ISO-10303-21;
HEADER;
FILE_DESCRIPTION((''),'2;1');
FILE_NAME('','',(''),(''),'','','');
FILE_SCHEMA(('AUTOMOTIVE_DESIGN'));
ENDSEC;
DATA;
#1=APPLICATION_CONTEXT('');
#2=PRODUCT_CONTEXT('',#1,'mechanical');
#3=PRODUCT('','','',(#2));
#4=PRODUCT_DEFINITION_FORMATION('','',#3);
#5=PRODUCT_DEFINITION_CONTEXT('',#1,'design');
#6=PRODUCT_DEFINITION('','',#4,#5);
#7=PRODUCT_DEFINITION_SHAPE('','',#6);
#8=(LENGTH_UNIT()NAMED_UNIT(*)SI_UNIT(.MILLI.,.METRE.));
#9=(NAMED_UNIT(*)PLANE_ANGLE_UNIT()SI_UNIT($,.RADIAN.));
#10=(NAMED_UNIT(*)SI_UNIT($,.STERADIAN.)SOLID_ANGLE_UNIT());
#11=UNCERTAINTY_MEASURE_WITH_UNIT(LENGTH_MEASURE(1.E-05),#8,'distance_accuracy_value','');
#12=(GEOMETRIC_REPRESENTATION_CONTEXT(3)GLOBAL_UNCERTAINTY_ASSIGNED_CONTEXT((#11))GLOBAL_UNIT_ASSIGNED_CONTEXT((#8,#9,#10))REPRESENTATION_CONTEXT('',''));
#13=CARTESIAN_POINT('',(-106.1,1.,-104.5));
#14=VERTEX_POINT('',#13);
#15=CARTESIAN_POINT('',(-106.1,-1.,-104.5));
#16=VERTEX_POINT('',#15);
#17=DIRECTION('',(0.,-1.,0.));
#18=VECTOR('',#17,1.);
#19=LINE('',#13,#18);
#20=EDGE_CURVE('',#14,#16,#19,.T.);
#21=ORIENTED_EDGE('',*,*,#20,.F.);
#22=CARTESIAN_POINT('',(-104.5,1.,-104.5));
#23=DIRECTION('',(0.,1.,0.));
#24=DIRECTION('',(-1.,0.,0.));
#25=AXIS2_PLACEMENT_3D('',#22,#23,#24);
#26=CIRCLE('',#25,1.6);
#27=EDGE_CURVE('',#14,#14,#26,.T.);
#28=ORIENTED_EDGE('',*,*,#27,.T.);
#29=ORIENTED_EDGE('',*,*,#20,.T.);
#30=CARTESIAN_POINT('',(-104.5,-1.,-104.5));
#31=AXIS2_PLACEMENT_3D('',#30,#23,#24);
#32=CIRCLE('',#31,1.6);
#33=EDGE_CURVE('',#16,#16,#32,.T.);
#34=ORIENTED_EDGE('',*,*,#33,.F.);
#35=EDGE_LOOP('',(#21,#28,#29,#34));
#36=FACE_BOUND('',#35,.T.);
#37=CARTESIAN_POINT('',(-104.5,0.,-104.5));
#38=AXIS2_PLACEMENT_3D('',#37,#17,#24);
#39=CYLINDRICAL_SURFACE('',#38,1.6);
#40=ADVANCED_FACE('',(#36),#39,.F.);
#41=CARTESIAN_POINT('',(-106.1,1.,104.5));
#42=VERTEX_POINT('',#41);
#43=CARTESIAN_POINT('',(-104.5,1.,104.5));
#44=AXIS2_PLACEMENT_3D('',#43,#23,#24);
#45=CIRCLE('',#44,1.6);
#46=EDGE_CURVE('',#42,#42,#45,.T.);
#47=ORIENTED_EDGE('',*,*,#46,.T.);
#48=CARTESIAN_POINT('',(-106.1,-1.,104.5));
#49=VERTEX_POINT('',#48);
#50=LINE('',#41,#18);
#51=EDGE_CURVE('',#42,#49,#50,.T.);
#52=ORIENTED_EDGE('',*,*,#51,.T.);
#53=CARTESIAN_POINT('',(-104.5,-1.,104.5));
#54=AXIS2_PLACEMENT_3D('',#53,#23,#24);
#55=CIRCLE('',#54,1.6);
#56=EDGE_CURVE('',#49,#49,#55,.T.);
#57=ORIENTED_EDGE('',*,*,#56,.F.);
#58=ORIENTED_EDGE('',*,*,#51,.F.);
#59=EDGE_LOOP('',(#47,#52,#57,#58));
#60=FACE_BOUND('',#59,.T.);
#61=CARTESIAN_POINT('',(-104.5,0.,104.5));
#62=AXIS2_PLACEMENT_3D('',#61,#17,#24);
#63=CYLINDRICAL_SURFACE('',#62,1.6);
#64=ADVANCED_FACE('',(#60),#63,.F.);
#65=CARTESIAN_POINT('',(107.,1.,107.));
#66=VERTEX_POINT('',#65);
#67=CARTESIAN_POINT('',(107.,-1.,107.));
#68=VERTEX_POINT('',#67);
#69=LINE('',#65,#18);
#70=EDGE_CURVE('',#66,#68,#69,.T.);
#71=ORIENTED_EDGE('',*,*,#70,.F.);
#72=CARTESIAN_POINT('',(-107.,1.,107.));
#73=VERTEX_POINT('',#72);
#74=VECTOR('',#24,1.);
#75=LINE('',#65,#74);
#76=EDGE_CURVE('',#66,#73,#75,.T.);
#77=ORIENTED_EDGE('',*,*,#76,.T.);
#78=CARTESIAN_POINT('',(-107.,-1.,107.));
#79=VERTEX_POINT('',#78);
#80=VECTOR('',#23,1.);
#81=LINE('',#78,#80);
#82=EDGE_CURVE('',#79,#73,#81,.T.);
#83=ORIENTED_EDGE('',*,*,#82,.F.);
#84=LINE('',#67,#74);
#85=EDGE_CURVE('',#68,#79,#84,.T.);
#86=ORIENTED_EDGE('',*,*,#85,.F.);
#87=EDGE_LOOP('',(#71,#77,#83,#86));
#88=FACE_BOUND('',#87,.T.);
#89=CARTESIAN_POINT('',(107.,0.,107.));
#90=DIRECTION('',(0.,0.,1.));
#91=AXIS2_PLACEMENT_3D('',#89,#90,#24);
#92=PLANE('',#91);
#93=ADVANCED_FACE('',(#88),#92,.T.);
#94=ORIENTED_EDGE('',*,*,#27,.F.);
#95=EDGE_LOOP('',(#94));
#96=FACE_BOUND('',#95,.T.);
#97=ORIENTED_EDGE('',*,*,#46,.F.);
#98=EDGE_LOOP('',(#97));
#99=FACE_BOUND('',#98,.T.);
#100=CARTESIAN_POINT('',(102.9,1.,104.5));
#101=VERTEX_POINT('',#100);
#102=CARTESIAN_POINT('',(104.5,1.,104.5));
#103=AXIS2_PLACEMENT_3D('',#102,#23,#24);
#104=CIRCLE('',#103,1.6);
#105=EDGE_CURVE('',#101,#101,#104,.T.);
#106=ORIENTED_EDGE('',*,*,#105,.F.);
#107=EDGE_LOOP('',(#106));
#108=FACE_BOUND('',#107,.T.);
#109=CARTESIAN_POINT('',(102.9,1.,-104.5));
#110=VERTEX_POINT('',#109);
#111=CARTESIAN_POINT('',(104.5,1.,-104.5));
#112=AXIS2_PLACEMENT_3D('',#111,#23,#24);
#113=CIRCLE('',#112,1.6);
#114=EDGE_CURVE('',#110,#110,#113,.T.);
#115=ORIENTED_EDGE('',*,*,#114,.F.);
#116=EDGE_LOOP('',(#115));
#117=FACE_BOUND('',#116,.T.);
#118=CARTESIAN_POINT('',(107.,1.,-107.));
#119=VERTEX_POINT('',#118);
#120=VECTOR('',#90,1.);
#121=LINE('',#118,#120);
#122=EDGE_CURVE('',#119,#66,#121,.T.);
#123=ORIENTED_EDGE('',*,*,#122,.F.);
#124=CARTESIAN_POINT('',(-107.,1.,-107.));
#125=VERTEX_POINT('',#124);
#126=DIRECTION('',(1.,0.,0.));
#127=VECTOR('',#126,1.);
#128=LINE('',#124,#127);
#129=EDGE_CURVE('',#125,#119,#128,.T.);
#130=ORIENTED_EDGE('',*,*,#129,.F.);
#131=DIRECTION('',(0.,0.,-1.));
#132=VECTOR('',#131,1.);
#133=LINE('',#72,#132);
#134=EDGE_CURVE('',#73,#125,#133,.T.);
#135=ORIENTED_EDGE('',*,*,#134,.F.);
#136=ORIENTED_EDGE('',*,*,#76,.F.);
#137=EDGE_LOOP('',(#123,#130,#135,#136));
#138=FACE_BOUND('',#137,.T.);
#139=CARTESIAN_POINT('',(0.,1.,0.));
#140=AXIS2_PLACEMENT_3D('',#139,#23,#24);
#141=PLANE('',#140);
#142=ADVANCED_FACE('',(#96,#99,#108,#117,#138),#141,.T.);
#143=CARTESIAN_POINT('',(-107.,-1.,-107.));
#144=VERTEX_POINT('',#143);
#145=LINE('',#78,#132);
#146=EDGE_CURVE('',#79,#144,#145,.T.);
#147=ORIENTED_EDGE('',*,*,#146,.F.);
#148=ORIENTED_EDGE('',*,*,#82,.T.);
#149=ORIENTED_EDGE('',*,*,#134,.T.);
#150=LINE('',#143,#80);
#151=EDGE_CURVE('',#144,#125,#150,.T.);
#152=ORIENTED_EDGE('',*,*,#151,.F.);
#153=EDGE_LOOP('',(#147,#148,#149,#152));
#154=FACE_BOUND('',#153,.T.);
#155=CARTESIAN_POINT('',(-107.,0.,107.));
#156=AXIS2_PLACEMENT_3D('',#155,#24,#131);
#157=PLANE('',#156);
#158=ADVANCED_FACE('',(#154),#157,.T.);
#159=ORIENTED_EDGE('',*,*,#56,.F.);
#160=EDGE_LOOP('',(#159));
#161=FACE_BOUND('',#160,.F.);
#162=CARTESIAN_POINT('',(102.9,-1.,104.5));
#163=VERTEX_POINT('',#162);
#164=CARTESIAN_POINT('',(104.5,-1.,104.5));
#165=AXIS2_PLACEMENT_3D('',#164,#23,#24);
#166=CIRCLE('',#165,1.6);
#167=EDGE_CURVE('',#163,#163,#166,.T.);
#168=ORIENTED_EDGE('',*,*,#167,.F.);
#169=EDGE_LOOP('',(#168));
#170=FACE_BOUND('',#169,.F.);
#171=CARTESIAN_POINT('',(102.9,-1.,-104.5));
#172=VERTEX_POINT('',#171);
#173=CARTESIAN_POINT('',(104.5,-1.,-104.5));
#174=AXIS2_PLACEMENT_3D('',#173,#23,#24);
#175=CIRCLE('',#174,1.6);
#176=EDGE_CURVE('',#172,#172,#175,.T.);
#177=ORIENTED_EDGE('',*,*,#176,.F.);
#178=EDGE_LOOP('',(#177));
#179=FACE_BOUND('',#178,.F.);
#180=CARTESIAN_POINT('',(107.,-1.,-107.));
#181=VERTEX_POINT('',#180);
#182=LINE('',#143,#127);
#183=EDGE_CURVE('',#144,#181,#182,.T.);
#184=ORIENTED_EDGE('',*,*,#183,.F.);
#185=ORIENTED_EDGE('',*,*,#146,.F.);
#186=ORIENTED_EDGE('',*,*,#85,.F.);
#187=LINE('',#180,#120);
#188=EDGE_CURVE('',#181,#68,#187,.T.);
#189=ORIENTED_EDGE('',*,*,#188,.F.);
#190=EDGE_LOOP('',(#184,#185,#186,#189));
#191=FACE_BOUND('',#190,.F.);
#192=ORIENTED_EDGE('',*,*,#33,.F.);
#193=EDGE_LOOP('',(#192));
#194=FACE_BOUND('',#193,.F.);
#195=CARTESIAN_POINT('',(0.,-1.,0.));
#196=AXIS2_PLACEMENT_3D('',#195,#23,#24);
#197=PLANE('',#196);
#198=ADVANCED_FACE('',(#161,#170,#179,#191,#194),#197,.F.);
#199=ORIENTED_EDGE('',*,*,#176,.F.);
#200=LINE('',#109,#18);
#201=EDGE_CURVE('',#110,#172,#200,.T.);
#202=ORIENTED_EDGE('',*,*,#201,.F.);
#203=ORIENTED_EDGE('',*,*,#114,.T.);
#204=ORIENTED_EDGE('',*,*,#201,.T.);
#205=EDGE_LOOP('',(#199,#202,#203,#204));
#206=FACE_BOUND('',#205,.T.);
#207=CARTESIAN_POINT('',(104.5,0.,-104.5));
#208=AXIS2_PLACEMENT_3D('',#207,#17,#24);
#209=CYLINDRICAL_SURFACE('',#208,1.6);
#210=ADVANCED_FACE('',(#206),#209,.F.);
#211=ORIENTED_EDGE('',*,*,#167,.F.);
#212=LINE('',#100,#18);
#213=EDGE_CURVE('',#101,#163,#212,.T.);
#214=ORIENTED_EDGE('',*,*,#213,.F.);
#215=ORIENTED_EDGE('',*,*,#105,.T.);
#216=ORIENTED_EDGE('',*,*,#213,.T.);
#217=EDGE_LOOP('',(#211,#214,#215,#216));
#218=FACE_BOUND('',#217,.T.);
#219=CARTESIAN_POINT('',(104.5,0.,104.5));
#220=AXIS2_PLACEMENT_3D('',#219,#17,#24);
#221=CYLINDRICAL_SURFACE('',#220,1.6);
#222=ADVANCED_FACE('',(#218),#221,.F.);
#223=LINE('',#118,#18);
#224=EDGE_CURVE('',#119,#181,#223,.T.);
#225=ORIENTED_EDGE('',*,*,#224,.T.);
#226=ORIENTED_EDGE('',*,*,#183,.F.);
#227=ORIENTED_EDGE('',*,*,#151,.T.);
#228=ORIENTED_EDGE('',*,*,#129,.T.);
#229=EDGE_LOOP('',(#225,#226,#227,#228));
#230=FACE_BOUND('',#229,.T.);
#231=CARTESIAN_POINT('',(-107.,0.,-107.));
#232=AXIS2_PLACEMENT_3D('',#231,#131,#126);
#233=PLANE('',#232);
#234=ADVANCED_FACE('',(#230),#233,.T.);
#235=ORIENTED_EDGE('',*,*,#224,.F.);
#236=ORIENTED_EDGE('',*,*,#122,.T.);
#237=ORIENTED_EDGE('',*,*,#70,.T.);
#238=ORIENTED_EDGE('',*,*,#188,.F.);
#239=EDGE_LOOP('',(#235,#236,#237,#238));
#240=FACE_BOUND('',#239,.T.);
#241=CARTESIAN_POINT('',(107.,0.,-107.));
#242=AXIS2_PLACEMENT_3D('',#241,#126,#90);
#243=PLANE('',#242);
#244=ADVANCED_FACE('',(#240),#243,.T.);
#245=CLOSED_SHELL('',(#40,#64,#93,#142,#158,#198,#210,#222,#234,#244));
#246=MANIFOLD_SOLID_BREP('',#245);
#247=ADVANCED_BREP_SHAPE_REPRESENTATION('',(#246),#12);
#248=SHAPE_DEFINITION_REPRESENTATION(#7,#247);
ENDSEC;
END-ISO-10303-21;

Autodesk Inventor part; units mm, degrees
ref_plane "YZ Plane" through (0, 0, 0) normal (1, 0, 0) x (0, 1, 0)
ref_plane "XZ Plane" through (0, 0, 0) normal (0, 1, 0) x (-1, 0, 0)
ref_plane "XY Plane" through (0, 0, 0) normal (0, 0, 1) x (1, 0, 0)
sketch "Sketch1" plane through (0, 0, 0) normal (0, 1, 0) x (-1, 0, 0)
  line L0 (107, -107) -> (-107, -107)
  line L1 (-107, -107) -> (-107, 107)
  line L2 (-107, 107) -> (107, 107)
  line L3 (107, 107) -> (107, -107)
  line L4 (107, -107) -> (-107, 107) construction
  line L5 (-107, -107) -> (107, 107) construction
  line L6 (104.5, 104.5) -> (-104.5, 104.5) construction
  line L7 (-104.5, 104.5) -> (-104.5, -104.5) construction
  line L8 (-104.5, -104.5) -> (104.5, -104.5) construction
  line L9 (104.5, -104.5) -> (104.5, 104.5) construction
  line L10 (104.5, 104.5) -> (-104.5, -104.5) construction
  line L11 (-104.5, 104.5) -> (104.5, -104.5) construction
  circle A0 centre (104.5, -104.5) radius 1.6
  circle A1 centre (-104.5, -104.5) radius 1.6
  circle A2 centre (-104.5, 104.5) radius 1.6
  circle A3 centre (104.5, 104.5) radius 1.6
  point P0 (0, 0)
  dimension "d0" = 214
  dimension "d1" = 214
  dimension "d2" = 209
  dimension "d3" = 209
  dimension "d4" = 3.2
  dimension "d5" = 3.2
  dimension "d6" = 3.2
  dimension "d7" = 3.2
extrude "Extrusion1" add sketch "Sketch1" along normal mid plane 2
sketch "Sketch2" plane through (0, 1, 0) normal (0, 1, 0) x (1, 0, 0)
  line L0 (58.5536, -54.476) -> (-58.5536, -54.476)
  line L1 (-58.5536, -54.476) -> (-58.5536, 54.476)
  line L2 (-58.5536, 54.476) -> (58.5536, 54.476)
  line L3 (58.5536, 54.476) -> (58.5536, -54.476)
  line L4 (58.5536, -54.476) -> (-58.5536, 54.476) construction
  line L5 (-58.5536, -54.476) -> (58.5536, 54.476) construction
  line L6 (107, 107) -> (-107, 107) projected
  line L7 (-107, 107) -> (106.5967, 107.4017) construction
  line L8 (106.5967, 107.4017) -> (107, -107) construction
  line L9 (107, -107) -> (-106.5967, -107.4017) construction
  line L10 (-106.5967, -107.4017) -> (-107, 107) construction
  point P0 (0, 0)
decal "Decal1"
properties part number "HotBed_PCB_LM6020" material "Copper"
